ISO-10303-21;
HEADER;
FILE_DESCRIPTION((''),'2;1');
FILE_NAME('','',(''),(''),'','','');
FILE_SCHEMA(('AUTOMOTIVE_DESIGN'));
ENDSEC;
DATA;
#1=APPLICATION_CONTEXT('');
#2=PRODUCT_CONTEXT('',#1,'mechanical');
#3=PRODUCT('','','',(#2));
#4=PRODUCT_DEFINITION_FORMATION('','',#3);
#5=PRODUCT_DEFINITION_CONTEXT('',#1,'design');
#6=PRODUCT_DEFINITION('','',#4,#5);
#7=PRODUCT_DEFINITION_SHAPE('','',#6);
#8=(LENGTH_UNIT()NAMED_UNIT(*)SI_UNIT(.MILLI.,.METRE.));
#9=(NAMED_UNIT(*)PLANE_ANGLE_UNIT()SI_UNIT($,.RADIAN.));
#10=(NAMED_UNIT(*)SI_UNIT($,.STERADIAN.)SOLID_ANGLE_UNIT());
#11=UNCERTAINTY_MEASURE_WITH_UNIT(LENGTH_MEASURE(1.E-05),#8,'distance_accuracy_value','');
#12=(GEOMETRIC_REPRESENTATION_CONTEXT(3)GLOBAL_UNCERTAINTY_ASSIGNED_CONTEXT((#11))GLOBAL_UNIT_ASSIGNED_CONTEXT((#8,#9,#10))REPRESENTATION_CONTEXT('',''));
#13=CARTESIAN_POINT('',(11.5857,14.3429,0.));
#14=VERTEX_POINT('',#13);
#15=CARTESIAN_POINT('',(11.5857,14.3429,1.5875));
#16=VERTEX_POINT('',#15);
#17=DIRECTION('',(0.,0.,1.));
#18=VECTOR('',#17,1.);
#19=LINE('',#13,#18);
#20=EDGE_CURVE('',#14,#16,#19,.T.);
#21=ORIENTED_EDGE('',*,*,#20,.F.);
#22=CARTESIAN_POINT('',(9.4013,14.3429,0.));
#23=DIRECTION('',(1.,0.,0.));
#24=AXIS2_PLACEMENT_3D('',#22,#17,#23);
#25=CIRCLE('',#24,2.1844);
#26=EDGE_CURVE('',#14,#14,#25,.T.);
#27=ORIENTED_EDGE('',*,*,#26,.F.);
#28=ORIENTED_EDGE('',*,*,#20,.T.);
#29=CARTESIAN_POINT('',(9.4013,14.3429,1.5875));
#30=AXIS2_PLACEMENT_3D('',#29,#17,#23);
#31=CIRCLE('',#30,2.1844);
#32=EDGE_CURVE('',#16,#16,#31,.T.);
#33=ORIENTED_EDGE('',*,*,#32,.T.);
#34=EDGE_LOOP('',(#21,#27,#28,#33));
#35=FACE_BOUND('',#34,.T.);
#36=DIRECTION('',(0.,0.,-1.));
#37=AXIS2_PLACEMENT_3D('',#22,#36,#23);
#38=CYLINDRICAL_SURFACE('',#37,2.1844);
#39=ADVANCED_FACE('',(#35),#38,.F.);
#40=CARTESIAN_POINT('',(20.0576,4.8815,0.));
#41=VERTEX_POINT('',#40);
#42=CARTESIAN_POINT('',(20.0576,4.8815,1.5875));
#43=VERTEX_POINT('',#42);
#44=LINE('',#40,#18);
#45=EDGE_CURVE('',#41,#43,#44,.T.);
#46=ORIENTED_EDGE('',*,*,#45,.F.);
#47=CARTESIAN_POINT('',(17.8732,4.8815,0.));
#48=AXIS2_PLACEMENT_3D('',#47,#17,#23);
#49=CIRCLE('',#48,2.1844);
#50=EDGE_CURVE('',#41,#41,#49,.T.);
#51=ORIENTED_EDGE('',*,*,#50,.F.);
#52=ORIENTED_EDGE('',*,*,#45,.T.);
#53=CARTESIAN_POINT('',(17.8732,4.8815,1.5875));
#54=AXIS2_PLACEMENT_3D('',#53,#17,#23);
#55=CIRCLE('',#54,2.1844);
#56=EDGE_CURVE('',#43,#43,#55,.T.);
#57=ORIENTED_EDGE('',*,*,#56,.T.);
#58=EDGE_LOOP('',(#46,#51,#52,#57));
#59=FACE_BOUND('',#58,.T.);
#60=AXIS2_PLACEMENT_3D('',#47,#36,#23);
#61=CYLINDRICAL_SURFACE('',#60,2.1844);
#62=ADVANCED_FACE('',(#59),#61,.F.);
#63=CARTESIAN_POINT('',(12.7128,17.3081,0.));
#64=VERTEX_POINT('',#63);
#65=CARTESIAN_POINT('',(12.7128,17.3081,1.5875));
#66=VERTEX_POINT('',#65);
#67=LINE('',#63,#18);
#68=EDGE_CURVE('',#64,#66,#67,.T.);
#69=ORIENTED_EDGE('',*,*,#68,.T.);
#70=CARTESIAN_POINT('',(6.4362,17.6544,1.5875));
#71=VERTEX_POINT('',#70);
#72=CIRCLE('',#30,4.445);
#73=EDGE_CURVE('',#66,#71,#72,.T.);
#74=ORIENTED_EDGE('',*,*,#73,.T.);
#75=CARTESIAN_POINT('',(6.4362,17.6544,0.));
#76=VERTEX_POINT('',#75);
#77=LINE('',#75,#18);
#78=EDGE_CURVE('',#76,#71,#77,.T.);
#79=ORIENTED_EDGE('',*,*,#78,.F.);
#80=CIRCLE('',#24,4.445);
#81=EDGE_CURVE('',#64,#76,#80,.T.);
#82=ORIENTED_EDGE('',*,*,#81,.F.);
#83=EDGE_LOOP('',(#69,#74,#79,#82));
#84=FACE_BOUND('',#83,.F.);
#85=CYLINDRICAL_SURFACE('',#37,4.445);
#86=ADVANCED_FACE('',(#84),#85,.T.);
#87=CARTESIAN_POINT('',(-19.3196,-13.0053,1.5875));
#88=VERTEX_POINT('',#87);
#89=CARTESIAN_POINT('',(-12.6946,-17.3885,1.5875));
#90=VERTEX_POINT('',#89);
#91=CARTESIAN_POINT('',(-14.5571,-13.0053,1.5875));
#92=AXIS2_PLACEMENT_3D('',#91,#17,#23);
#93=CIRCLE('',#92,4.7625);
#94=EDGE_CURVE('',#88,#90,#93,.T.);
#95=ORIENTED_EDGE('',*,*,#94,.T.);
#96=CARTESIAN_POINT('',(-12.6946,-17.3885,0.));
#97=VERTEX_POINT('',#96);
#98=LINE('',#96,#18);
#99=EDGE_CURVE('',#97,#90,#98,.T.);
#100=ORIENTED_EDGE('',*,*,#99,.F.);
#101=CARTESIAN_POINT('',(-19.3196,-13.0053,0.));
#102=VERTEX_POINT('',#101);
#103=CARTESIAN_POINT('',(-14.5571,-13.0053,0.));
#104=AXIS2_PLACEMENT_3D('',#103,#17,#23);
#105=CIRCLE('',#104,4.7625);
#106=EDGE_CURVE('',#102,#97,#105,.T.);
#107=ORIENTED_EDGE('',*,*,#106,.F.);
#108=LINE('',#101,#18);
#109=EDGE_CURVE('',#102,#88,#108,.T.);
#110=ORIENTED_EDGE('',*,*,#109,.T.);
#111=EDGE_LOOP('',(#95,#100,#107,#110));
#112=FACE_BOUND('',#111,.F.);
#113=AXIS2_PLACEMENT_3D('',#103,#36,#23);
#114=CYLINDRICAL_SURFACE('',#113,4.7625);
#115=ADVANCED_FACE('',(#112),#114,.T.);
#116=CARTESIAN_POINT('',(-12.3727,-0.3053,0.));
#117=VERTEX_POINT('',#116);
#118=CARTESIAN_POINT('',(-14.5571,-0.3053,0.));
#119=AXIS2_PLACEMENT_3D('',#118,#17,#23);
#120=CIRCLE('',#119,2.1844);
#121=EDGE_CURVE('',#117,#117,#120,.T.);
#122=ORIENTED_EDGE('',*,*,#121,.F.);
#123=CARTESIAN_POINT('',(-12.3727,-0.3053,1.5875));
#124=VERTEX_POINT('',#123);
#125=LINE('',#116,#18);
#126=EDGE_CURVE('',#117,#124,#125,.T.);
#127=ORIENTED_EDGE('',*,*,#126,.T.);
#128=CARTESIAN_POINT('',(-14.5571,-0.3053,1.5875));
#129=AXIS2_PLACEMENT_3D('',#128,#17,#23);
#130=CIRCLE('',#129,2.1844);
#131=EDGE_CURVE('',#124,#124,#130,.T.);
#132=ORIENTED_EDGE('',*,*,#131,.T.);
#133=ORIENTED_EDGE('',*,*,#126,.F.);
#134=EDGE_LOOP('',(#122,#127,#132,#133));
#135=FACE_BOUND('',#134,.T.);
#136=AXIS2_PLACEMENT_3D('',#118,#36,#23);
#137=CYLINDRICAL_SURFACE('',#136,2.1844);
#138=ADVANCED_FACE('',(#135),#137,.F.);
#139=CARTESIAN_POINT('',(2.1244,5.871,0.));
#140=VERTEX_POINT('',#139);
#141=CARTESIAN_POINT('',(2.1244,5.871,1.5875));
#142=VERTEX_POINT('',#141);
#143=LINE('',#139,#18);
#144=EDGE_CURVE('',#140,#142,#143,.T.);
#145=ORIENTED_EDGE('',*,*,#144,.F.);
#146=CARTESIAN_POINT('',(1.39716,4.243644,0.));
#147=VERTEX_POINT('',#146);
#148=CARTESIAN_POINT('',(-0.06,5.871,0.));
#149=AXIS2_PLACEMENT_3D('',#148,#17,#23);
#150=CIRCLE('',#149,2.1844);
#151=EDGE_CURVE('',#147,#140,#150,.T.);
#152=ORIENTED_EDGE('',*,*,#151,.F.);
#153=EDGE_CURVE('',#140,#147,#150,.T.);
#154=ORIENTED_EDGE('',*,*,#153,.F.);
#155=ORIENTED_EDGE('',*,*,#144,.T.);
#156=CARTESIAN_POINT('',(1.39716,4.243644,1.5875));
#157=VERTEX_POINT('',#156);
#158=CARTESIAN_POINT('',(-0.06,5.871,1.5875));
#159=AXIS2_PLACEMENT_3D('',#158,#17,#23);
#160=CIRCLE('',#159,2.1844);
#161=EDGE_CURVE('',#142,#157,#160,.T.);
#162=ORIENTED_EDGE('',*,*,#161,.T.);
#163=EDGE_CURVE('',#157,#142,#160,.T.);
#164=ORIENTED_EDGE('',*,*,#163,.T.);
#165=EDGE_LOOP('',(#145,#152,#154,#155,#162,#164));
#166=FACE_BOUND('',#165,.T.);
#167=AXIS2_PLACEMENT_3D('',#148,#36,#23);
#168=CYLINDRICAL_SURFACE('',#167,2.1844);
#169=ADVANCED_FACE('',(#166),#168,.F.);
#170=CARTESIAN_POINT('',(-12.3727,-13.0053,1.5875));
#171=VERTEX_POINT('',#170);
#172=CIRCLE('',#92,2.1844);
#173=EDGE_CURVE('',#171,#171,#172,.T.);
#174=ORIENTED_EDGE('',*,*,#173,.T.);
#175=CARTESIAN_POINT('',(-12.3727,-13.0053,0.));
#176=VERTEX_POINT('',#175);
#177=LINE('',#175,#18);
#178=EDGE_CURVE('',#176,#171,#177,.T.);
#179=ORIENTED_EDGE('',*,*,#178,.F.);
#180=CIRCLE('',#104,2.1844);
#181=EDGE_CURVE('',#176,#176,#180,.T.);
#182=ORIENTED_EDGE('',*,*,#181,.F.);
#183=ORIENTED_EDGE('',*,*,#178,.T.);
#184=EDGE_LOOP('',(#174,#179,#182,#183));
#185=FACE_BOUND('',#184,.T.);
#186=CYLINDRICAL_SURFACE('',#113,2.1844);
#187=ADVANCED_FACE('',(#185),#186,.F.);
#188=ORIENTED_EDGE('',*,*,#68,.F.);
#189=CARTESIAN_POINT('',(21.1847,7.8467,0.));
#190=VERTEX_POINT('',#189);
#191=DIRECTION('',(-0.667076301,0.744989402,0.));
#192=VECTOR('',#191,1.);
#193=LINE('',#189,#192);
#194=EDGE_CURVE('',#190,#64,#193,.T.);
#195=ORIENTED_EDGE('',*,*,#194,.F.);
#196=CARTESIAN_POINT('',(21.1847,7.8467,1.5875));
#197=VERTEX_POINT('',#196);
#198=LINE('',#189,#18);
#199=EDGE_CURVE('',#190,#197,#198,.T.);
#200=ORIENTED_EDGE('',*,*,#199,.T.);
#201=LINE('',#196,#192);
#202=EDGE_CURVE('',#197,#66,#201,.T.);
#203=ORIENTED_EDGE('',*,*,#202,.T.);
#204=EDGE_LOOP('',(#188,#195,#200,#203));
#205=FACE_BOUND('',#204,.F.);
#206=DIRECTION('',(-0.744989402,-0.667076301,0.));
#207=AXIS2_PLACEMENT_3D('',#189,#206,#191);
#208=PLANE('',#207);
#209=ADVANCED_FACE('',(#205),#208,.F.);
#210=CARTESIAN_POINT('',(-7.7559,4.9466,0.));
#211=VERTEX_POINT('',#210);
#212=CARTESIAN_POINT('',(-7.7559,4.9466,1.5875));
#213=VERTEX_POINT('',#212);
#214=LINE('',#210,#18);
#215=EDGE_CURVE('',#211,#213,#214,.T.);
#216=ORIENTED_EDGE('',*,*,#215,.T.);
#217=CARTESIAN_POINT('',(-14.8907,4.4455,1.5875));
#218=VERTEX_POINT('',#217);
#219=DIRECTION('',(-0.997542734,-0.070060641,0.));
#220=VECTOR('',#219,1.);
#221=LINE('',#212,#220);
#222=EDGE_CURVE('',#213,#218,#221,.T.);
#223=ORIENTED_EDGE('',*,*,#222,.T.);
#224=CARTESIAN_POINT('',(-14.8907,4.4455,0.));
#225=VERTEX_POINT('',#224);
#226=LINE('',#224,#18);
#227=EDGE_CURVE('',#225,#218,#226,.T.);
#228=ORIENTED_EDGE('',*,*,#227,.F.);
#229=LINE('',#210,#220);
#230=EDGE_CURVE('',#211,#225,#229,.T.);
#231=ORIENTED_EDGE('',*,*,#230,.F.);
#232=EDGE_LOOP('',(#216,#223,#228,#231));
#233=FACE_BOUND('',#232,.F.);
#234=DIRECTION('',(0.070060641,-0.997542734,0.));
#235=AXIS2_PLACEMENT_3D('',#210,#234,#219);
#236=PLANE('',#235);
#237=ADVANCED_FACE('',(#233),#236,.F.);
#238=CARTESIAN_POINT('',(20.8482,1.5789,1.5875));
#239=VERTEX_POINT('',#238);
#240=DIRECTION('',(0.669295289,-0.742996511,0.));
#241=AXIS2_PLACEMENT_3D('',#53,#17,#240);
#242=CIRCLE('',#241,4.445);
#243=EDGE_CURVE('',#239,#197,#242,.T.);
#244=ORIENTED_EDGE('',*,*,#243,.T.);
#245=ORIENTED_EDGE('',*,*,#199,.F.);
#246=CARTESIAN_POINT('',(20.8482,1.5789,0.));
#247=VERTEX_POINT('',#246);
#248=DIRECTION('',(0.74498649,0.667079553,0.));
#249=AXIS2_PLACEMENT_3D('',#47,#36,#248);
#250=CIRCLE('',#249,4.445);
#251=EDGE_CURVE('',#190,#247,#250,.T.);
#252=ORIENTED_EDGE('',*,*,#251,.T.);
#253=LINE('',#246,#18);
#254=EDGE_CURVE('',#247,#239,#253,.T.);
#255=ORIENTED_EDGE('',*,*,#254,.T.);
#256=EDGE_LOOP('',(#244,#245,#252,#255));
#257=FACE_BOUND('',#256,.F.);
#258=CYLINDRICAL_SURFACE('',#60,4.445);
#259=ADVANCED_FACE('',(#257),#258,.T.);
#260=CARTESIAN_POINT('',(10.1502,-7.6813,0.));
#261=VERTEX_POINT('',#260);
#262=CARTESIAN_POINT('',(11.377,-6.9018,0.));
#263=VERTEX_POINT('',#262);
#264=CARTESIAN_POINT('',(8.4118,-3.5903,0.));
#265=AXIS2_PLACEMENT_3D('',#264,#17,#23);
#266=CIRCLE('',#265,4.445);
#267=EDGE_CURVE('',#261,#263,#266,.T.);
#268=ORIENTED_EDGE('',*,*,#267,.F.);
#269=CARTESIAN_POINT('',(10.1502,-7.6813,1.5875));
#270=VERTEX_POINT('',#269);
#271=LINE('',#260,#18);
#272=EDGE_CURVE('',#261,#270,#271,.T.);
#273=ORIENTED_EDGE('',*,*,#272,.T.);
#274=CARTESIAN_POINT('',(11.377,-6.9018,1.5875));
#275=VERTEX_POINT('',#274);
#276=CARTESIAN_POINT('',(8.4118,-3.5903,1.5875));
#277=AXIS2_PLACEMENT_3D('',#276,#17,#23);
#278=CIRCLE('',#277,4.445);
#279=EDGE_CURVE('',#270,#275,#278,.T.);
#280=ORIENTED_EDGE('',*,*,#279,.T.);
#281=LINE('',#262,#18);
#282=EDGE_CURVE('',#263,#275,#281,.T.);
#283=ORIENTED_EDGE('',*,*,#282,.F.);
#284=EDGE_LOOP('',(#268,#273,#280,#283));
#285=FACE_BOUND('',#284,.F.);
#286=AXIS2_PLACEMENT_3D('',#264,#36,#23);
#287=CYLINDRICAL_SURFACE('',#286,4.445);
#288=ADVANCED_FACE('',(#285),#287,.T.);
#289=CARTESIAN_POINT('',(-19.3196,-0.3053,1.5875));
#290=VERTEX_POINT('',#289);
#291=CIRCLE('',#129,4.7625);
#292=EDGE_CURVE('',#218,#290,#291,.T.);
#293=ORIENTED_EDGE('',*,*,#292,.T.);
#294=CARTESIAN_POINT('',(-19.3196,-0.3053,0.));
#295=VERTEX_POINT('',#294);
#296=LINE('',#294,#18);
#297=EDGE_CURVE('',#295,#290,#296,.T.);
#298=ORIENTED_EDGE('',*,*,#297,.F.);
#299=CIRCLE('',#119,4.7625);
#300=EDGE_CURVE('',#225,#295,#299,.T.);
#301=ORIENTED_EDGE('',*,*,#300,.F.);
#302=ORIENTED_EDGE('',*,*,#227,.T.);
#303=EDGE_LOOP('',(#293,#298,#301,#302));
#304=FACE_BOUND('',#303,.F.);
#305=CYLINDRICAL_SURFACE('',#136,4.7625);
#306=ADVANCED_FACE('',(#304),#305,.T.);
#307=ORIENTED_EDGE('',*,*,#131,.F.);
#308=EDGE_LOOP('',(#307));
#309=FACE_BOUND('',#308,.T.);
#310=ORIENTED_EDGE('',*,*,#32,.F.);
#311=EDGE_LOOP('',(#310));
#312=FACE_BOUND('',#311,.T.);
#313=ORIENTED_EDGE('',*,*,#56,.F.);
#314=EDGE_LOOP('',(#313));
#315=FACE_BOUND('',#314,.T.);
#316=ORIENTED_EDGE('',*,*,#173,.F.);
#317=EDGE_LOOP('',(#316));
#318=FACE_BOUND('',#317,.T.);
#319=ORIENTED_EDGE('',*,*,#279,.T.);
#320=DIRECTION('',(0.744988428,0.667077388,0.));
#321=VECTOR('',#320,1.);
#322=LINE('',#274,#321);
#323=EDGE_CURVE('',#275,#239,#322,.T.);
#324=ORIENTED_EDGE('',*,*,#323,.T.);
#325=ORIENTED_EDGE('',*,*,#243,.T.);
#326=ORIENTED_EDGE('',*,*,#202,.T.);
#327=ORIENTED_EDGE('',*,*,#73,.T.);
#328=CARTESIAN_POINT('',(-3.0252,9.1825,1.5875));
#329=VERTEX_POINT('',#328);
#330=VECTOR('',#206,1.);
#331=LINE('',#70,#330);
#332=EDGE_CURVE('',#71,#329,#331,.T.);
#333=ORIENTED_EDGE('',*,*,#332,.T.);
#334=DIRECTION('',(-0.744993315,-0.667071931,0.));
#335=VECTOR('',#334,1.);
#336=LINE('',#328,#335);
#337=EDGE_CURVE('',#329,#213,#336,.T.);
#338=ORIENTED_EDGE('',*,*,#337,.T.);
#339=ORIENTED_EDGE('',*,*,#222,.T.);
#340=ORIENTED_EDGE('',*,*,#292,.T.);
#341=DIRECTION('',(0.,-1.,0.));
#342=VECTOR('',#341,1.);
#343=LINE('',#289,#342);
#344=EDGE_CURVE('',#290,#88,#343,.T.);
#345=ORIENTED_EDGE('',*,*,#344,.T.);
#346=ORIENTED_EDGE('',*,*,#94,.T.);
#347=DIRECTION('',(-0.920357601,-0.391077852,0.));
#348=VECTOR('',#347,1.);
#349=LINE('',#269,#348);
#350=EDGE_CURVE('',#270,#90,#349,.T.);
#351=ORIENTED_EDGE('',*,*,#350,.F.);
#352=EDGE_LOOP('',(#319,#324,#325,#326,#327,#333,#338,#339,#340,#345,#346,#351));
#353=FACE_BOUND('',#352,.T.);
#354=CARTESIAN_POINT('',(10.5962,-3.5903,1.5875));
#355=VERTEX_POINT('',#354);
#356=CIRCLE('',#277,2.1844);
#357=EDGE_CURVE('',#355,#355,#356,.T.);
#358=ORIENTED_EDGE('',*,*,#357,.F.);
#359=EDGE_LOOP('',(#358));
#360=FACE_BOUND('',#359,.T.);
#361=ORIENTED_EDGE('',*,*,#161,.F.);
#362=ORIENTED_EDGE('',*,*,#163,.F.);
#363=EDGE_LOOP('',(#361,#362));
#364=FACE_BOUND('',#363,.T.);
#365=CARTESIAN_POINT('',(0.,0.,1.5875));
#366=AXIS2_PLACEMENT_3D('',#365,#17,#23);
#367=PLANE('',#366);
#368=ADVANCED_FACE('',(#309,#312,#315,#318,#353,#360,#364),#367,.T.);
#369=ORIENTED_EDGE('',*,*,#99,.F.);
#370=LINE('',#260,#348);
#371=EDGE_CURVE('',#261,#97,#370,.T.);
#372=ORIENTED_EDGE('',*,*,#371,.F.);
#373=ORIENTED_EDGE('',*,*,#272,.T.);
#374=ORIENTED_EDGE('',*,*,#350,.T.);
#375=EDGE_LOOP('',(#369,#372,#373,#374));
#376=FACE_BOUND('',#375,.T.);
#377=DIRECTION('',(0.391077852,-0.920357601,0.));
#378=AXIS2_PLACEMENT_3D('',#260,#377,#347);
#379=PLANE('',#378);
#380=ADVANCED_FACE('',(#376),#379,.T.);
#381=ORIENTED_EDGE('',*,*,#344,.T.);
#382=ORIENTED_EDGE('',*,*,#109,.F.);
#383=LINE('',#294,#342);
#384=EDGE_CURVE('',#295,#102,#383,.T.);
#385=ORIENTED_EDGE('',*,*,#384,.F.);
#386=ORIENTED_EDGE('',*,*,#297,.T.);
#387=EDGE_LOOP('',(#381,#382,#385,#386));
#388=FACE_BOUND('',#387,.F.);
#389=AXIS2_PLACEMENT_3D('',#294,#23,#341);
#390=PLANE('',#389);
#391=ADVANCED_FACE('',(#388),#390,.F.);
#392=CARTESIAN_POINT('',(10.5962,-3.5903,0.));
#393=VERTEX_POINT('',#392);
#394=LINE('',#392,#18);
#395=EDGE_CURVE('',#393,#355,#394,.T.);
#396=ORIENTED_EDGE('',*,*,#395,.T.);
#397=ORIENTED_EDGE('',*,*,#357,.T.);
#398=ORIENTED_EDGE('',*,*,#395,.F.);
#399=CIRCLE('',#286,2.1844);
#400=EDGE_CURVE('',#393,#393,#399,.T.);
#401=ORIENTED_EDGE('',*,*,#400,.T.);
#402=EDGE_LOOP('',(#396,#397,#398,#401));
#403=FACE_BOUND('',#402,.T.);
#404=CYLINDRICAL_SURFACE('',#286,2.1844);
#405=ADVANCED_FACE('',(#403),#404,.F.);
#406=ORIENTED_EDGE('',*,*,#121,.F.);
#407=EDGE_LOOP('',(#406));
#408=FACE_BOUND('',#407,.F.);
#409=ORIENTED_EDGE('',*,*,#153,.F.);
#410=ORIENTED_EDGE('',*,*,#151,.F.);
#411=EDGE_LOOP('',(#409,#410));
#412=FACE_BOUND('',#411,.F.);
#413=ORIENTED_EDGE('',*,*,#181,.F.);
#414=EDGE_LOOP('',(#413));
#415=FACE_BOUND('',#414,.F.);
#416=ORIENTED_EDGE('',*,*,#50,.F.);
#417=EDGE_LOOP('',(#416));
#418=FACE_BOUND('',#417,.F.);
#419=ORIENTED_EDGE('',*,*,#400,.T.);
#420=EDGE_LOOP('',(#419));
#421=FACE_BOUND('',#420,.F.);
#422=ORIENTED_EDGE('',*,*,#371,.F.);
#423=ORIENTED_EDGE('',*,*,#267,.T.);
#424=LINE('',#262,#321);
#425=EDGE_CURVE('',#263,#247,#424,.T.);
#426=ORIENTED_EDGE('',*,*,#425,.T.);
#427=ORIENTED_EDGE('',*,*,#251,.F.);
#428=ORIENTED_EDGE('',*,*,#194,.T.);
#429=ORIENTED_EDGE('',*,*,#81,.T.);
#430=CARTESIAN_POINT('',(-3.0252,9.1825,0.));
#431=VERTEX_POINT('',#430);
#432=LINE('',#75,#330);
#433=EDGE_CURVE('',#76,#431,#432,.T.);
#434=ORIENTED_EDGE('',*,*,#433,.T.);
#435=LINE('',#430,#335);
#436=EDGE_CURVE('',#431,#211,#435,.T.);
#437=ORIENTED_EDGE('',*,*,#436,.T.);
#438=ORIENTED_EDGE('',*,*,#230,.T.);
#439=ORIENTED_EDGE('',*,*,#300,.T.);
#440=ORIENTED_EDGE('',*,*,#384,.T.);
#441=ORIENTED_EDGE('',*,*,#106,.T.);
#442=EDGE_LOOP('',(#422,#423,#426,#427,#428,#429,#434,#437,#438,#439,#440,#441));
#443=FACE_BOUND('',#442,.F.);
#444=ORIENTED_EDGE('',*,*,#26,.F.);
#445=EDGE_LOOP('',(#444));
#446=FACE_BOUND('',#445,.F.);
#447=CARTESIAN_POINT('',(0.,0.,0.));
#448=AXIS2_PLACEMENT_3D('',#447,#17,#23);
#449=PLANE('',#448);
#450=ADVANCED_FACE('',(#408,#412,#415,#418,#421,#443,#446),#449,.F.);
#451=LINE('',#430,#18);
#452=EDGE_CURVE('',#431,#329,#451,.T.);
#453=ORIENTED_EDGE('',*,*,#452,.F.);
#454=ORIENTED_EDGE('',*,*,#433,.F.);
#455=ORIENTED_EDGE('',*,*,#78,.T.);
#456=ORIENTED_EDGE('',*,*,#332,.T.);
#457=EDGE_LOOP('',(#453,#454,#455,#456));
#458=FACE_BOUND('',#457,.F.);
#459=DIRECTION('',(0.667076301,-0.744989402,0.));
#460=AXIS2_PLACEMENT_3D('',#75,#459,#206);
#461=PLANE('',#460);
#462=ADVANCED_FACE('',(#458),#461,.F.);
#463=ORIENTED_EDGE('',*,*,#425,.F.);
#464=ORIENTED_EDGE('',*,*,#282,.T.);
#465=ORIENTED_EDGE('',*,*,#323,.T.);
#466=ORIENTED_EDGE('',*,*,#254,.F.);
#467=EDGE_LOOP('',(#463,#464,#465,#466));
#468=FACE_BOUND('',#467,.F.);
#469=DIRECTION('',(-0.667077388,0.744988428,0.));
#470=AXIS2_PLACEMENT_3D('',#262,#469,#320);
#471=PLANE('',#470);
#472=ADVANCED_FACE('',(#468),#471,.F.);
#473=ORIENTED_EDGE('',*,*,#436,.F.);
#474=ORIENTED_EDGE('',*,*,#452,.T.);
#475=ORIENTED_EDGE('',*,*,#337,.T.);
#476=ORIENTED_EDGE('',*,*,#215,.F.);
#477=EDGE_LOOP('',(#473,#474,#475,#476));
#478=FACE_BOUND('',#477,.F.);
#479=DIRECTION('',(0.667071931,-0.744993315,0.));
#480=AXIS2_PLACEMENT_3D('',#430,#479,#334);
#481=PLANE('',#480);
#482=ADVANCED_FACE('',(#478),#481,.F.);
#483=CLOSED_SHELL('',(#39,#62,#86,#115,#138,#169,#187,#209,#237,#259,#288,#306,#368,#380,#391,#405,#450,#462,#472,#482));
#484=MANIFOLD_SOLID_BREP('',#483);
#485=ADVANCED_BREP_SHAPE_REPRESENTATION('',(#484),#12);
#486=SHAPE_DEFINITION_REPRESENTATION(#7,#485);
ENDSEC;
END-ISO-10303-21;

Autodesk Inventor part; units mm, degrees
ref_plane "YZ Plane" through (0, 0, 0) normal (1, 0, 0) x (0, 1, 0)
ref_plane "XZ Plane" through (0, 0, 0) normal (0, 1, 0) x (-1, 0, 0)
ref_plane "XY Plane" through (0, 0, 0) normal (0, 0, 1) x (1, 0, 0)
sketch "Sketch1" plane through (0, 0, 0) normal (0, 0, 1) x (1, 0, 0)
  circle A0 centre (-14.5571, -13.0053) radius 2.1844
  circle A1 centre (-14.5571, -0.3053) radius 2.1844
  circle A2 centre (9.4013, 14.3429) radius 2.1844
  circle A3 centre (17.8732, 4.8815) radius 2.1844
  circle A4 centre (8.4118, -3.5903) radius 2.1844
  circle A5 centre (-0.06, 5.871) radius 2.1844
  circle A6 centre (9.4013, 14.3429) radius 4.445
  circle A7 centre (17.8732, 4.8815) radius 4.445
  circle A8 centre (8.4118, -3.5903) radius 4.445
  circle A9 centre (-14.5571, -0.3053) radius 4.7625
  circle A10 centre (-14.5571, -13.0053) radius 4.7625
  circle A11 centre (-0.06, 5.871) radius 4.445
  line L0 (-0.06, 5.871) -> (8.4118, -3.5903)
  line L1 (8.4118, -3.5903) -> (11.377, -6.9018)
  line L2 (-19.3196, -0.3053) -> (-19.3196, -13.0053)
  line L3 (11.377, -6.9018) -> (20.8482, 1.5789)
  line L4 (10.1502, -7.6813) -> (-12.6946, -17.3885)
  line L5 (21.1847, 7.8467) -> (12.7128, 17.3081)
  line L6 (6.4362, 17.6544) -> (-3.0252, 9.1825)
  line L7 (-3.0252, 9.1825) -> (-7.7559, 4.9466)
  line L8 (-7.7559, 4.9466) -> (-14.8907, 4.4455)
  point P0 (0, 0)
  dimension "d5" = 8.89
  dimension "d0" = 8.89
  dimension "d1" = 8.89
  dimension "d2" = 8.89
  dimension "d3" = 9.525
  dimension "d4" = 9.525
  dimension "d9" = 6.35
extrude "Extrusion1" add sketch "Sketch1" along normal blind 1.5875 contours A4 L0 A8 L1 | A4 L1 A8 L0 | A7 | L0 A11 L6 A6 L5 A7 L3 A8 | A8 L4 A10 L2 A9 L8 L7 A11 L0 | A11 | A10 | A6 | A9
properties part number "lbMountInside"
